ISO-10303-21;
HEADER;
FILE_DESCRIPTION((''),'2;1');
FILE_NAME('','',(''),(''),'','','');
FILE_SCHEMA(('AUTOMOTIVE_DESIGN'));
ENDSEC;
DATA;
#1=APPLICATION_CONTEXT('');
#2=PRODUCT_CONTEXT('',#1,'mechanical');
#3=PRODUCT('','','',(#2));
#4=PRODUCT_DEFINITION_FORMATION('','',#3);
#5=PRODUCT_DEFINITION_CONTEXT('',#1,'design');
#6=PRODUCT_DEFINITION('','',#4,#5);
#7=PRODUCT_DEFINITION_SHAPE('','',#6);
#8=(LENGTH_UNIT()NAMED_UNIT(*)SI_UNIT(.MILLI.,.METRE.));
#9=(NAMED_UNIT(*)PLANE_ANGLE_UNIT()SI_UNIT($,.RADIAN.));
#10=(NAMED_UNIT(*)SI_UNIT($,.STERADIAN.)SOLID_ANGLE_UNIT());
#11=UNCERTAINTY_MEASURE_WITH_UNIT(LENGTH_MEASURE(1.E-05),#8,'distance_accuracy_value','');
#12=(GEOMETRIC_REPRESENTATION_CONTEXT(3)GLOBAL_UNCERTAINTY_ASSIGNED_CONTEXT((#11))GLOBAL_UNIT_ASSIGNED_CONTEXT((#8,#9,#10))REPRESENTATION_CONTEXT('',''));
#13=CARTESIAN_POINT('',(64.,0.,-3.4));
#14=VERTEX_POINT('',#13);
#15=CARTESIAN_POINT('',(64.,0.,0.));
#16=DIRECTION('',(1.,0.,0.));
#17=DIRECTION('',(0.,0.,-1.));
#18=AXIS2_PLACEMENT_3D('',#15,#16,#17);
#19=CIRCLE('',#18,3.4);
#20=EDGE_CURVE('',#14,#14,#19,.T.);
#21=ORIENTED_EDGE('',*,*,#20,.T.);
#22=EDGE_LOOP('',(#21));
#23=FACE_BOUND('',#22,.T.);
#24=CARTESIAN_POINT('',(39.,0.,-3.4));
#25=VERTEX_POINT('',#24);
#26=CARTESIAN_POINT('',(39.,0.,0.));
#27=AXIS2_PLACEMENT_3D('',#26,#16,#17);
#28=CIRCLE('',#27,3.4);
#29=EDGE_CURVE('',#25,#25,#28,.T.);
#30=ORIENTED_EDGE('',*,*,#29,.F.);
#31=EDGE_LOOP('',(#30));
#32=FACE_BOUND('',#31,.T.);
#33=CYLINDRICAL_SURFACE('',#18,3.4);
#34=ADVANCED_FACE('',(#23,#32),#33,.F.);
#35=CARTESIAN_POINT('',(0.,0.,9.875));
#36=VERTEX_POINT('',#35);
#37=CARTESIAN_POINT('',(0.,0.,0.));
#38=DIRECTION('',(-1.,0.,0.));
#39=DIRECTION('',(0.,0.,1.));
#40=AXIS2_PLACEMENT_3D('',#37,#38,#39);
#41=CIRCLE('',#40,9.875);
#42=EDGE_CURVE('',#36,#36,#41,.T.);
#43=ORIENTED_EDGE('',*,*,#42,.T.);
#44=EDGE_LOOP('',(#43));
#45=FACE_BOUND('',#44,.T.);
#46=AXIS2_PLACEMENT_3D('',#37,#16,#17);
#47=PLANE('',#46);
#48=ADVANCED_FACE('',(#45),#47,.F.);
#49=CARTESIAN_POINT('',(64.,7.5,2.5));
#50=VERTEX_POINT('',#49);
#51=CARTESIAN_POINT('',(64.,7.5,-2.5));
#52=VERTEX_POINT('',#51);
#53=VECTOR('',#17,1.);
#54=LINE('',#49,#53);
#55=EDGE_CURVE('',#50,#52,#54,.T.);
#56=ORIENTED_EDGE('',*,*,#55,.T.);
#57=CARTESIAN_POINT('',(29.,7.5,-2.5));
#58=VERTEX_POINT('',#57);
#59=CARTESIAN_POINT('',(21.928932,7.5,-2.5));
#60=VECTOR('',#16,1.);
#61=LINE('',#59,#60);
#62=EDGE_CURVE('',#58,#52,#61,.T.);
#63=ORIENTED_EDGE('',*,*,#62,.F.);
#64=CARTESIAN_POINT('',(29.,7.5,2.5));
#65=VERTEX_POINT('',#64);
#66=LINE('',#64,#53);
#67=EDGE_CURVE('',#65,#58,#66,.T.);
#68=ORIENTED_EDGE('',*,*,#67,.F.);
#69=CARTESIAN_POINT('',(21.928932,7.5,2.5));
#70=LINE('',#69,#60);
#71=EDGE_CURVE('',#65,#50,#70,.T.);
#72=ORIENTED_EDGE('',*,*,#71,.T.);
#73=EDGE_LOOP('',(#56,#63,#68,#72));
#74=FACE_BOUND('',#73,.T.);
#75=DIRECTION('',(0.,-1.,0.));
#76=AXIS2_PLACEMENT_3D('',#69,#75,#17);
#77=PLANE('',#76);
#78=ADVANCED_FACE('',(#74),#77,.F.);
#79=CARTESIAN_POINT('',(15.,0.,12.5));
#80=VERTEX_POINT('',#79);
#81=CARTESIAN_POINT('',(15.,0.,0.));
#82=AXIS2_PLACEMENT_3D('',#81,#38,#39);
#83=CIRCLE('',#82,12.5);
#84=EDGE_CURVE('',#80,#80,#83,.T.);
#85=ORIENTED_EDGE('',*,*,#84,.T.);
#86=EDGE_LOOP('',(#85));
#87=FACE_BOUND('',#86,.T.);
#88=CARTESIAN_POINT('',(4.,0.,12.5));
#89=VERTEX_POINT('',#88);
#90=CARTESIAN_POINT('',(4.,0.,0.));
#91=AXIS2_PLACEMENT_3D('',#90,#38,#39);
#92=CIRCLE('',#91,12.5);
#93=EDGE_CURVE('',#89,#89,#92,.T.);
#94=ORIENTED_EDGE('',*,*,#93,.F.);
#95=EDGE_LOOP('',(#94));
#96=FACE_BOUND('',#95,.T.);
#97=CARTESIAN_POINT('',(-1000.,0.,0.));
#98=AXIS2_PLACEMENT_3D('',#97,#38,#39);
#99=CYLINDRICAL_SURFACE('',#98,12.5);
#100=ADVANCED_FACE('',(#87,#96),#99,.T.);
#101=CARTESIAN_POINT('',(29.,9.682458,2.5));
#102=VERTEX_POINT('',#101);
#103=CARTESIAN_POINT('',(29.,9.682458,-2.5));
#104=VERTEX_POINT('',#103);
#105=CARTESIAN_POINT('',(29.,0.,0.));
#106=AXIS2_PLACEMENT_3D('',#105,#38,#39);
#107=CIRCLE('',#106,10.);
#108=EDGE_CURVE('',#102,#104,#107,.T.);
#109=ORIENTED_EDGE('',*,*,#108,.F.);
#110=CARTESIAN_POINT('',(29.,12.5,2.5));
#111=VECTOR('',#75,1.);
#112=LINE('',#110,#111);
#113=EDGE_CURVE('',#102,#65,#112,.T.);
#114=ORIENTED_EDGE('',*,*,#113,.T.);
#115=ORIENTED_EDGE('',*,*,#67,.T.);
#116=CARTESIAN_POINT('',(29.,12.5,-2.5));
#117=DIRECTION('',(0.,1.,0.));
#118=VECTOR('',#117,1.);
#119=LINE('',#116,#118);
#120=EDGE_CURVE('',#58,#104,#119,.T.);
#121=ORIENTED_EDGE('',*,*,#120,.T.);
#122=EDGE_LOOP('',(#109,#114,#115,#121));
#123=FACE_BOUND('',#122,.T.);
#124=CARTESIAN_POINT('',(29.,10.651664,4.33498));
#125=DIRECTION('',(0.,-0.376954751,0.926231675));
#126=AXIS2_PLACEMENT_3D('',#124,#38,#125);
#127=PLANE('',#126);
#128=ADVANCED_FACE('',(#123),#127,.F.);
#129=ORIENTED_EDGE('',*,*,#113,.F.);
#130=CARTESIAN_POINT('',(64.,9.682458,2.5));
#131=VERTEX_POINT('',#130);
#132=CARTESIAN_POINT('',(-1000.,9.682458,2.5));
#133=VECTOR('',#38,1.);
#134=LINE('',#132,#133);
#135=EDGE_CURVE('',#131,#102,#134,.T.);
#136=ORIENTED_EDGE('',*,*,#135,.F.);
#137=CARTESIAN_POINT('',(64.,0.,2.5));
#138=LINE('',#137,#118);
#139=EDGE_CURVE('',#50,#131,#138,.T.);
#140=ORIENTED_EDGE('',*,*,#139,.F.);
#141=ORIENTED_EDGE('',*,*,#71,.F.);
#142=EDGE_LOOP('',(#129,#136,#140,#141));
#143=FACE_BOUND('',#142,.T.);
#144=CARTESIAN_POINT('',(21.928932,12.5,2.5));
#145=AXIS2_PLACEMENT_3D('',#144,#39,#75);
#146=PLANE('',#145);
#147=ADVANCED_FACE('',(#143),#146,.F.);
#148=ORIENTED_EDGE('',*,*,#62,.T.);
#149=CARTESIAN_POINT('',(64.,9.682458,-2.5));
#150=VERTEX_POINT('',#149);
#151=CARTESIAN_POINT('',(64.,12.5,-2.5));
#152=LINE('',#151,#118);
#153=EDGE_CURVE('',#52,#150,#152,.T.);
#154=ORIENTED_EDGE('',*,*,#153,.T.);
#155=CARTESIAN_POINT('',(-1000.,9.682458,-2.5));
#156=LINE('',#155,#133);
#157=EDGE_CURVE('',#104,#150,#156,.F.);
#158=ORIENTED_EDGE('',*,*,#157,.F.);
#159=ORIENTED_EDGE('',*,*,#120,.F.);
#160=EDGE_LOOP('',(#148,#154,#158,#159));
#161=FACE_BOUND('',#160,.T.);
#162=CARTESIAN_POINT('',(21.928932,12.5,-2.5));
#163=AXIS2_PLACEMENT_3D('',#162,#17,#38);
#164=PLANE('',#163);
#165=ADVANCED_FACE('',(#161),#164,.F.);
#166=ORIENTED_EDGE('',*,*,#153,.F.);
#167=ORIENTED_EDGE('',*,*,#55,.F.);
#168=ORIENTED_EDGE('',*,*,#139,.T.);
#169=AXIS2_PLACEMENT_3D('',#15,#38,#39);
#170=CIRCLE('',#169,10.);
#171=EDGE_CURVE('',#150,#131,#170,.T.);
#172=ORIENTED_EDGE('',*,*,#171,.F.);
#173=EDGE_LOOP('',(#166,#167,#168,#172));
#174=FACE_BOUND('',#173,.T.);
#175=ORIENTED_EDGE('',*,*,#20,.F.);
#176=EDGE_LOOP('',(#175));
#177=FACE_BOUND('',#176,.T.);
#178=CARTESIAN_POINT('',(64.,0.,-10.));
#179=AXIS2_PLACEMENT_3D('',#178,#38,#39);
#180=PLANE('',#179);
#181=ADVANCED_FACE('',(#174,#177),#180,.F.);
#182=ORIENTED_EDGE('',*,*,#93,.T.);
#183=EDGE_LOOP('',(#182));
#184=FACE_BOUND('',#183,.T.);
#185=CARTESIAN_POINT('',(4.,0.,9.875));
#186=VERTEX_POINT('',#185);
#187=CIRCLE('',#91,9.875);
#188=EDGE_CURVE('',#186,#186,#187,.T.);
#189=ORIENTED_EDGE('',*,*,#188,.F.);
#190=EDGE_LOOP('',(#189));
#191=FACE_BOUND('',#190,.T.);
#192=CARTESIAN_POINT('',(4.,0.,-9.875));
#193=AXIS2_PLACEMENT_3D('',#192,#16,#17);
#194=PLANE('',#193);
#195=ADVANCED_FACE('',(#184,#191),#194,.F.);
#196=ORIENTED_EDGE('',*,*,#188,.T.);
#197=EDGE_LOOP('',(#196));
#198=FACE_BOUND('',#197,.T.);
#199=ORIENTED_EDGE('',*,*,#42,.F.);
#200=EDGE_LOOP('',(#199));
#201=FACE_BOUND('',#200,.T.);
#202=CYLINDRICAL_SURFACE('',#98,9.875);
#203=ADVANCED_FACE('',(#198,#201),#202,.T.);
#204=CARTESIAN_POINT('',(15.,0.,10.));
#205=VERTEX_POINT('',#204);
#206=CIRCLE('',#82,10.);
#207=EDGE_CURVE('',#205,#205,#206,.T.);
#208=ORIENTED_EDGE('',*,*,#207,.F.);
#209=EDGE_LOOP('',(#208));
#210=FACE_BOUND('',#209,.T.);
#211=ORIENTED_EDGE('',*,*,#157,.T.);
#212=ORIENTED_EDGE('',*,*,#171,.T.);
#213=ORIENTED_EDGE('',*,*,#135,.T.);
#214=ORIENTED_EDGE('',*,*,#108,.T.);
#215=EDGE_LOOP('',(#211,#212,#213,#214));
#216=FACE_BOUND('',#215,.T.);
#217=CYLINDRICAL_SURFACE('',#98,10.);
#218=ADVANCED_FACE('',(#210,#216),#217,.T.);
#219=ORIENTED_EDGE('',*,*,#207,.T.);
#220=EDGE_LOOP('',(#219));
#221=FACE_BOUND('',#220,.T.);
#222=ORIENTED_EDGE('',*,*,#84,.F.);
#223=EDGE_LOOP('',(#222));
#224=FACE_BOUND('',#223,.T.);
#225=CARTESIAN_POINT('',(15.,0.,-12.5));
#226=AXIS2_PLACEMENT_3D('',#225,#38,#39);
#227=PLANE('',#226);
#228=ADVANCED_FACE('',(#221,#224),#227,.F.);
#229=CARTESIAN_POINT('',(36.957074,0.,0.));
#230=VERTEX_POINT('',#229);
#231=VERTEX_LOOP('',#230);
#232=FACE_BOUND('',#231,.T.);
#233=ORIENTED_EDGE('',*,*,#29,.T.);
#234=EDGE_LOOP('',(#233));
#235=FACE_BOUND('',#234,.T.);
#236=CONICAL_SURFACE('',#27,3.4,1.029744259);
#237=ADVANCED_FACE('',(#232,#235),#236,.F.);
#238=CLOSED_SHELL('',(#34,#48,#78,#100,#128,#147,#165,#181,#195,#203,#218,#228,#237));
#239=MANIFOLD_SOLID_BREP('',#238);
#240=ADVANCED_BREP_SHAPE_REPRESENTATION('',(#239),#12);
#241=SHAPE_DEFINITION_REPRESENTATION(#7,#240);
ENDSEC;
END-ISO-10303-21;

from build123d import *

# Parameters (mm, degrees)
CUT_EXTRUDE_START     = -35
SKETCH_2_W            = 5
SKETCH_2_H            = 5
CUT_EXTRUDE_1_DEPTH   = 35
HOLE_WIZARD_M81_D     = 6.8
HOLE_WIZARD_M81_DEPTH = 25
HOLE_WIZARD_M81_TIP   = 2.042926105


with BuildPart() as part:
    # Эскиз1 → Повернуть1 (revolve)
    with BuildSketch(Plane(origin=(0, 0, 0), x_dir=(1, 0, 0), z_dir=(0, 1, 0))):
        Polygon((0, 0), (0, 9.875), (4, 9.875), (4, 12.5), (15, 12.5), (15, 10), (64, 10), (64, 0), align=None)
    revolve(axis=Axis((-1000, 0, 0), (1, 0, 0)))

    # Эскиз2 → Вырез-Вытянуть1 (cut)
    with BuildSketch(Plane(origin=(64, 0, 0), x_dir=(0, 0, -1), z_dir=(1, 0, 0)).offset(CUT_EXTRUDE_START)):
        with Locations((0, 10)):
            Rectangle(SKETCH_2_W, SKETCH_2_H)
    extrude(amount=CUT_EXTRUDE_1_DEPTH, mode=Mode.SUBTRACT)

    # Отверстие обработанное метчиком M81
    with Locations(Plane(origin=(64, 0, 0), x_dir=(0, 0, -1), z_dir=(1, 0, 0))):
        with Locations((0, 0)):
            Hole(HOLE_WIZARD_M81_D / 2, depth=HOLE_WIZARD_M81_DEPTH)
            with Locations((0, 0, -(HOLE_WIZARD_M81_DEPTH + HOLE_WIZARD_M81_TIP / 2))):  # 118° drill point
                Cone(0, HOLE_WIZARD_M81_D / 2, HOLE_WIZARD_M81_TIP, mode=Mode.SUBTRACT)


solid = part.part
